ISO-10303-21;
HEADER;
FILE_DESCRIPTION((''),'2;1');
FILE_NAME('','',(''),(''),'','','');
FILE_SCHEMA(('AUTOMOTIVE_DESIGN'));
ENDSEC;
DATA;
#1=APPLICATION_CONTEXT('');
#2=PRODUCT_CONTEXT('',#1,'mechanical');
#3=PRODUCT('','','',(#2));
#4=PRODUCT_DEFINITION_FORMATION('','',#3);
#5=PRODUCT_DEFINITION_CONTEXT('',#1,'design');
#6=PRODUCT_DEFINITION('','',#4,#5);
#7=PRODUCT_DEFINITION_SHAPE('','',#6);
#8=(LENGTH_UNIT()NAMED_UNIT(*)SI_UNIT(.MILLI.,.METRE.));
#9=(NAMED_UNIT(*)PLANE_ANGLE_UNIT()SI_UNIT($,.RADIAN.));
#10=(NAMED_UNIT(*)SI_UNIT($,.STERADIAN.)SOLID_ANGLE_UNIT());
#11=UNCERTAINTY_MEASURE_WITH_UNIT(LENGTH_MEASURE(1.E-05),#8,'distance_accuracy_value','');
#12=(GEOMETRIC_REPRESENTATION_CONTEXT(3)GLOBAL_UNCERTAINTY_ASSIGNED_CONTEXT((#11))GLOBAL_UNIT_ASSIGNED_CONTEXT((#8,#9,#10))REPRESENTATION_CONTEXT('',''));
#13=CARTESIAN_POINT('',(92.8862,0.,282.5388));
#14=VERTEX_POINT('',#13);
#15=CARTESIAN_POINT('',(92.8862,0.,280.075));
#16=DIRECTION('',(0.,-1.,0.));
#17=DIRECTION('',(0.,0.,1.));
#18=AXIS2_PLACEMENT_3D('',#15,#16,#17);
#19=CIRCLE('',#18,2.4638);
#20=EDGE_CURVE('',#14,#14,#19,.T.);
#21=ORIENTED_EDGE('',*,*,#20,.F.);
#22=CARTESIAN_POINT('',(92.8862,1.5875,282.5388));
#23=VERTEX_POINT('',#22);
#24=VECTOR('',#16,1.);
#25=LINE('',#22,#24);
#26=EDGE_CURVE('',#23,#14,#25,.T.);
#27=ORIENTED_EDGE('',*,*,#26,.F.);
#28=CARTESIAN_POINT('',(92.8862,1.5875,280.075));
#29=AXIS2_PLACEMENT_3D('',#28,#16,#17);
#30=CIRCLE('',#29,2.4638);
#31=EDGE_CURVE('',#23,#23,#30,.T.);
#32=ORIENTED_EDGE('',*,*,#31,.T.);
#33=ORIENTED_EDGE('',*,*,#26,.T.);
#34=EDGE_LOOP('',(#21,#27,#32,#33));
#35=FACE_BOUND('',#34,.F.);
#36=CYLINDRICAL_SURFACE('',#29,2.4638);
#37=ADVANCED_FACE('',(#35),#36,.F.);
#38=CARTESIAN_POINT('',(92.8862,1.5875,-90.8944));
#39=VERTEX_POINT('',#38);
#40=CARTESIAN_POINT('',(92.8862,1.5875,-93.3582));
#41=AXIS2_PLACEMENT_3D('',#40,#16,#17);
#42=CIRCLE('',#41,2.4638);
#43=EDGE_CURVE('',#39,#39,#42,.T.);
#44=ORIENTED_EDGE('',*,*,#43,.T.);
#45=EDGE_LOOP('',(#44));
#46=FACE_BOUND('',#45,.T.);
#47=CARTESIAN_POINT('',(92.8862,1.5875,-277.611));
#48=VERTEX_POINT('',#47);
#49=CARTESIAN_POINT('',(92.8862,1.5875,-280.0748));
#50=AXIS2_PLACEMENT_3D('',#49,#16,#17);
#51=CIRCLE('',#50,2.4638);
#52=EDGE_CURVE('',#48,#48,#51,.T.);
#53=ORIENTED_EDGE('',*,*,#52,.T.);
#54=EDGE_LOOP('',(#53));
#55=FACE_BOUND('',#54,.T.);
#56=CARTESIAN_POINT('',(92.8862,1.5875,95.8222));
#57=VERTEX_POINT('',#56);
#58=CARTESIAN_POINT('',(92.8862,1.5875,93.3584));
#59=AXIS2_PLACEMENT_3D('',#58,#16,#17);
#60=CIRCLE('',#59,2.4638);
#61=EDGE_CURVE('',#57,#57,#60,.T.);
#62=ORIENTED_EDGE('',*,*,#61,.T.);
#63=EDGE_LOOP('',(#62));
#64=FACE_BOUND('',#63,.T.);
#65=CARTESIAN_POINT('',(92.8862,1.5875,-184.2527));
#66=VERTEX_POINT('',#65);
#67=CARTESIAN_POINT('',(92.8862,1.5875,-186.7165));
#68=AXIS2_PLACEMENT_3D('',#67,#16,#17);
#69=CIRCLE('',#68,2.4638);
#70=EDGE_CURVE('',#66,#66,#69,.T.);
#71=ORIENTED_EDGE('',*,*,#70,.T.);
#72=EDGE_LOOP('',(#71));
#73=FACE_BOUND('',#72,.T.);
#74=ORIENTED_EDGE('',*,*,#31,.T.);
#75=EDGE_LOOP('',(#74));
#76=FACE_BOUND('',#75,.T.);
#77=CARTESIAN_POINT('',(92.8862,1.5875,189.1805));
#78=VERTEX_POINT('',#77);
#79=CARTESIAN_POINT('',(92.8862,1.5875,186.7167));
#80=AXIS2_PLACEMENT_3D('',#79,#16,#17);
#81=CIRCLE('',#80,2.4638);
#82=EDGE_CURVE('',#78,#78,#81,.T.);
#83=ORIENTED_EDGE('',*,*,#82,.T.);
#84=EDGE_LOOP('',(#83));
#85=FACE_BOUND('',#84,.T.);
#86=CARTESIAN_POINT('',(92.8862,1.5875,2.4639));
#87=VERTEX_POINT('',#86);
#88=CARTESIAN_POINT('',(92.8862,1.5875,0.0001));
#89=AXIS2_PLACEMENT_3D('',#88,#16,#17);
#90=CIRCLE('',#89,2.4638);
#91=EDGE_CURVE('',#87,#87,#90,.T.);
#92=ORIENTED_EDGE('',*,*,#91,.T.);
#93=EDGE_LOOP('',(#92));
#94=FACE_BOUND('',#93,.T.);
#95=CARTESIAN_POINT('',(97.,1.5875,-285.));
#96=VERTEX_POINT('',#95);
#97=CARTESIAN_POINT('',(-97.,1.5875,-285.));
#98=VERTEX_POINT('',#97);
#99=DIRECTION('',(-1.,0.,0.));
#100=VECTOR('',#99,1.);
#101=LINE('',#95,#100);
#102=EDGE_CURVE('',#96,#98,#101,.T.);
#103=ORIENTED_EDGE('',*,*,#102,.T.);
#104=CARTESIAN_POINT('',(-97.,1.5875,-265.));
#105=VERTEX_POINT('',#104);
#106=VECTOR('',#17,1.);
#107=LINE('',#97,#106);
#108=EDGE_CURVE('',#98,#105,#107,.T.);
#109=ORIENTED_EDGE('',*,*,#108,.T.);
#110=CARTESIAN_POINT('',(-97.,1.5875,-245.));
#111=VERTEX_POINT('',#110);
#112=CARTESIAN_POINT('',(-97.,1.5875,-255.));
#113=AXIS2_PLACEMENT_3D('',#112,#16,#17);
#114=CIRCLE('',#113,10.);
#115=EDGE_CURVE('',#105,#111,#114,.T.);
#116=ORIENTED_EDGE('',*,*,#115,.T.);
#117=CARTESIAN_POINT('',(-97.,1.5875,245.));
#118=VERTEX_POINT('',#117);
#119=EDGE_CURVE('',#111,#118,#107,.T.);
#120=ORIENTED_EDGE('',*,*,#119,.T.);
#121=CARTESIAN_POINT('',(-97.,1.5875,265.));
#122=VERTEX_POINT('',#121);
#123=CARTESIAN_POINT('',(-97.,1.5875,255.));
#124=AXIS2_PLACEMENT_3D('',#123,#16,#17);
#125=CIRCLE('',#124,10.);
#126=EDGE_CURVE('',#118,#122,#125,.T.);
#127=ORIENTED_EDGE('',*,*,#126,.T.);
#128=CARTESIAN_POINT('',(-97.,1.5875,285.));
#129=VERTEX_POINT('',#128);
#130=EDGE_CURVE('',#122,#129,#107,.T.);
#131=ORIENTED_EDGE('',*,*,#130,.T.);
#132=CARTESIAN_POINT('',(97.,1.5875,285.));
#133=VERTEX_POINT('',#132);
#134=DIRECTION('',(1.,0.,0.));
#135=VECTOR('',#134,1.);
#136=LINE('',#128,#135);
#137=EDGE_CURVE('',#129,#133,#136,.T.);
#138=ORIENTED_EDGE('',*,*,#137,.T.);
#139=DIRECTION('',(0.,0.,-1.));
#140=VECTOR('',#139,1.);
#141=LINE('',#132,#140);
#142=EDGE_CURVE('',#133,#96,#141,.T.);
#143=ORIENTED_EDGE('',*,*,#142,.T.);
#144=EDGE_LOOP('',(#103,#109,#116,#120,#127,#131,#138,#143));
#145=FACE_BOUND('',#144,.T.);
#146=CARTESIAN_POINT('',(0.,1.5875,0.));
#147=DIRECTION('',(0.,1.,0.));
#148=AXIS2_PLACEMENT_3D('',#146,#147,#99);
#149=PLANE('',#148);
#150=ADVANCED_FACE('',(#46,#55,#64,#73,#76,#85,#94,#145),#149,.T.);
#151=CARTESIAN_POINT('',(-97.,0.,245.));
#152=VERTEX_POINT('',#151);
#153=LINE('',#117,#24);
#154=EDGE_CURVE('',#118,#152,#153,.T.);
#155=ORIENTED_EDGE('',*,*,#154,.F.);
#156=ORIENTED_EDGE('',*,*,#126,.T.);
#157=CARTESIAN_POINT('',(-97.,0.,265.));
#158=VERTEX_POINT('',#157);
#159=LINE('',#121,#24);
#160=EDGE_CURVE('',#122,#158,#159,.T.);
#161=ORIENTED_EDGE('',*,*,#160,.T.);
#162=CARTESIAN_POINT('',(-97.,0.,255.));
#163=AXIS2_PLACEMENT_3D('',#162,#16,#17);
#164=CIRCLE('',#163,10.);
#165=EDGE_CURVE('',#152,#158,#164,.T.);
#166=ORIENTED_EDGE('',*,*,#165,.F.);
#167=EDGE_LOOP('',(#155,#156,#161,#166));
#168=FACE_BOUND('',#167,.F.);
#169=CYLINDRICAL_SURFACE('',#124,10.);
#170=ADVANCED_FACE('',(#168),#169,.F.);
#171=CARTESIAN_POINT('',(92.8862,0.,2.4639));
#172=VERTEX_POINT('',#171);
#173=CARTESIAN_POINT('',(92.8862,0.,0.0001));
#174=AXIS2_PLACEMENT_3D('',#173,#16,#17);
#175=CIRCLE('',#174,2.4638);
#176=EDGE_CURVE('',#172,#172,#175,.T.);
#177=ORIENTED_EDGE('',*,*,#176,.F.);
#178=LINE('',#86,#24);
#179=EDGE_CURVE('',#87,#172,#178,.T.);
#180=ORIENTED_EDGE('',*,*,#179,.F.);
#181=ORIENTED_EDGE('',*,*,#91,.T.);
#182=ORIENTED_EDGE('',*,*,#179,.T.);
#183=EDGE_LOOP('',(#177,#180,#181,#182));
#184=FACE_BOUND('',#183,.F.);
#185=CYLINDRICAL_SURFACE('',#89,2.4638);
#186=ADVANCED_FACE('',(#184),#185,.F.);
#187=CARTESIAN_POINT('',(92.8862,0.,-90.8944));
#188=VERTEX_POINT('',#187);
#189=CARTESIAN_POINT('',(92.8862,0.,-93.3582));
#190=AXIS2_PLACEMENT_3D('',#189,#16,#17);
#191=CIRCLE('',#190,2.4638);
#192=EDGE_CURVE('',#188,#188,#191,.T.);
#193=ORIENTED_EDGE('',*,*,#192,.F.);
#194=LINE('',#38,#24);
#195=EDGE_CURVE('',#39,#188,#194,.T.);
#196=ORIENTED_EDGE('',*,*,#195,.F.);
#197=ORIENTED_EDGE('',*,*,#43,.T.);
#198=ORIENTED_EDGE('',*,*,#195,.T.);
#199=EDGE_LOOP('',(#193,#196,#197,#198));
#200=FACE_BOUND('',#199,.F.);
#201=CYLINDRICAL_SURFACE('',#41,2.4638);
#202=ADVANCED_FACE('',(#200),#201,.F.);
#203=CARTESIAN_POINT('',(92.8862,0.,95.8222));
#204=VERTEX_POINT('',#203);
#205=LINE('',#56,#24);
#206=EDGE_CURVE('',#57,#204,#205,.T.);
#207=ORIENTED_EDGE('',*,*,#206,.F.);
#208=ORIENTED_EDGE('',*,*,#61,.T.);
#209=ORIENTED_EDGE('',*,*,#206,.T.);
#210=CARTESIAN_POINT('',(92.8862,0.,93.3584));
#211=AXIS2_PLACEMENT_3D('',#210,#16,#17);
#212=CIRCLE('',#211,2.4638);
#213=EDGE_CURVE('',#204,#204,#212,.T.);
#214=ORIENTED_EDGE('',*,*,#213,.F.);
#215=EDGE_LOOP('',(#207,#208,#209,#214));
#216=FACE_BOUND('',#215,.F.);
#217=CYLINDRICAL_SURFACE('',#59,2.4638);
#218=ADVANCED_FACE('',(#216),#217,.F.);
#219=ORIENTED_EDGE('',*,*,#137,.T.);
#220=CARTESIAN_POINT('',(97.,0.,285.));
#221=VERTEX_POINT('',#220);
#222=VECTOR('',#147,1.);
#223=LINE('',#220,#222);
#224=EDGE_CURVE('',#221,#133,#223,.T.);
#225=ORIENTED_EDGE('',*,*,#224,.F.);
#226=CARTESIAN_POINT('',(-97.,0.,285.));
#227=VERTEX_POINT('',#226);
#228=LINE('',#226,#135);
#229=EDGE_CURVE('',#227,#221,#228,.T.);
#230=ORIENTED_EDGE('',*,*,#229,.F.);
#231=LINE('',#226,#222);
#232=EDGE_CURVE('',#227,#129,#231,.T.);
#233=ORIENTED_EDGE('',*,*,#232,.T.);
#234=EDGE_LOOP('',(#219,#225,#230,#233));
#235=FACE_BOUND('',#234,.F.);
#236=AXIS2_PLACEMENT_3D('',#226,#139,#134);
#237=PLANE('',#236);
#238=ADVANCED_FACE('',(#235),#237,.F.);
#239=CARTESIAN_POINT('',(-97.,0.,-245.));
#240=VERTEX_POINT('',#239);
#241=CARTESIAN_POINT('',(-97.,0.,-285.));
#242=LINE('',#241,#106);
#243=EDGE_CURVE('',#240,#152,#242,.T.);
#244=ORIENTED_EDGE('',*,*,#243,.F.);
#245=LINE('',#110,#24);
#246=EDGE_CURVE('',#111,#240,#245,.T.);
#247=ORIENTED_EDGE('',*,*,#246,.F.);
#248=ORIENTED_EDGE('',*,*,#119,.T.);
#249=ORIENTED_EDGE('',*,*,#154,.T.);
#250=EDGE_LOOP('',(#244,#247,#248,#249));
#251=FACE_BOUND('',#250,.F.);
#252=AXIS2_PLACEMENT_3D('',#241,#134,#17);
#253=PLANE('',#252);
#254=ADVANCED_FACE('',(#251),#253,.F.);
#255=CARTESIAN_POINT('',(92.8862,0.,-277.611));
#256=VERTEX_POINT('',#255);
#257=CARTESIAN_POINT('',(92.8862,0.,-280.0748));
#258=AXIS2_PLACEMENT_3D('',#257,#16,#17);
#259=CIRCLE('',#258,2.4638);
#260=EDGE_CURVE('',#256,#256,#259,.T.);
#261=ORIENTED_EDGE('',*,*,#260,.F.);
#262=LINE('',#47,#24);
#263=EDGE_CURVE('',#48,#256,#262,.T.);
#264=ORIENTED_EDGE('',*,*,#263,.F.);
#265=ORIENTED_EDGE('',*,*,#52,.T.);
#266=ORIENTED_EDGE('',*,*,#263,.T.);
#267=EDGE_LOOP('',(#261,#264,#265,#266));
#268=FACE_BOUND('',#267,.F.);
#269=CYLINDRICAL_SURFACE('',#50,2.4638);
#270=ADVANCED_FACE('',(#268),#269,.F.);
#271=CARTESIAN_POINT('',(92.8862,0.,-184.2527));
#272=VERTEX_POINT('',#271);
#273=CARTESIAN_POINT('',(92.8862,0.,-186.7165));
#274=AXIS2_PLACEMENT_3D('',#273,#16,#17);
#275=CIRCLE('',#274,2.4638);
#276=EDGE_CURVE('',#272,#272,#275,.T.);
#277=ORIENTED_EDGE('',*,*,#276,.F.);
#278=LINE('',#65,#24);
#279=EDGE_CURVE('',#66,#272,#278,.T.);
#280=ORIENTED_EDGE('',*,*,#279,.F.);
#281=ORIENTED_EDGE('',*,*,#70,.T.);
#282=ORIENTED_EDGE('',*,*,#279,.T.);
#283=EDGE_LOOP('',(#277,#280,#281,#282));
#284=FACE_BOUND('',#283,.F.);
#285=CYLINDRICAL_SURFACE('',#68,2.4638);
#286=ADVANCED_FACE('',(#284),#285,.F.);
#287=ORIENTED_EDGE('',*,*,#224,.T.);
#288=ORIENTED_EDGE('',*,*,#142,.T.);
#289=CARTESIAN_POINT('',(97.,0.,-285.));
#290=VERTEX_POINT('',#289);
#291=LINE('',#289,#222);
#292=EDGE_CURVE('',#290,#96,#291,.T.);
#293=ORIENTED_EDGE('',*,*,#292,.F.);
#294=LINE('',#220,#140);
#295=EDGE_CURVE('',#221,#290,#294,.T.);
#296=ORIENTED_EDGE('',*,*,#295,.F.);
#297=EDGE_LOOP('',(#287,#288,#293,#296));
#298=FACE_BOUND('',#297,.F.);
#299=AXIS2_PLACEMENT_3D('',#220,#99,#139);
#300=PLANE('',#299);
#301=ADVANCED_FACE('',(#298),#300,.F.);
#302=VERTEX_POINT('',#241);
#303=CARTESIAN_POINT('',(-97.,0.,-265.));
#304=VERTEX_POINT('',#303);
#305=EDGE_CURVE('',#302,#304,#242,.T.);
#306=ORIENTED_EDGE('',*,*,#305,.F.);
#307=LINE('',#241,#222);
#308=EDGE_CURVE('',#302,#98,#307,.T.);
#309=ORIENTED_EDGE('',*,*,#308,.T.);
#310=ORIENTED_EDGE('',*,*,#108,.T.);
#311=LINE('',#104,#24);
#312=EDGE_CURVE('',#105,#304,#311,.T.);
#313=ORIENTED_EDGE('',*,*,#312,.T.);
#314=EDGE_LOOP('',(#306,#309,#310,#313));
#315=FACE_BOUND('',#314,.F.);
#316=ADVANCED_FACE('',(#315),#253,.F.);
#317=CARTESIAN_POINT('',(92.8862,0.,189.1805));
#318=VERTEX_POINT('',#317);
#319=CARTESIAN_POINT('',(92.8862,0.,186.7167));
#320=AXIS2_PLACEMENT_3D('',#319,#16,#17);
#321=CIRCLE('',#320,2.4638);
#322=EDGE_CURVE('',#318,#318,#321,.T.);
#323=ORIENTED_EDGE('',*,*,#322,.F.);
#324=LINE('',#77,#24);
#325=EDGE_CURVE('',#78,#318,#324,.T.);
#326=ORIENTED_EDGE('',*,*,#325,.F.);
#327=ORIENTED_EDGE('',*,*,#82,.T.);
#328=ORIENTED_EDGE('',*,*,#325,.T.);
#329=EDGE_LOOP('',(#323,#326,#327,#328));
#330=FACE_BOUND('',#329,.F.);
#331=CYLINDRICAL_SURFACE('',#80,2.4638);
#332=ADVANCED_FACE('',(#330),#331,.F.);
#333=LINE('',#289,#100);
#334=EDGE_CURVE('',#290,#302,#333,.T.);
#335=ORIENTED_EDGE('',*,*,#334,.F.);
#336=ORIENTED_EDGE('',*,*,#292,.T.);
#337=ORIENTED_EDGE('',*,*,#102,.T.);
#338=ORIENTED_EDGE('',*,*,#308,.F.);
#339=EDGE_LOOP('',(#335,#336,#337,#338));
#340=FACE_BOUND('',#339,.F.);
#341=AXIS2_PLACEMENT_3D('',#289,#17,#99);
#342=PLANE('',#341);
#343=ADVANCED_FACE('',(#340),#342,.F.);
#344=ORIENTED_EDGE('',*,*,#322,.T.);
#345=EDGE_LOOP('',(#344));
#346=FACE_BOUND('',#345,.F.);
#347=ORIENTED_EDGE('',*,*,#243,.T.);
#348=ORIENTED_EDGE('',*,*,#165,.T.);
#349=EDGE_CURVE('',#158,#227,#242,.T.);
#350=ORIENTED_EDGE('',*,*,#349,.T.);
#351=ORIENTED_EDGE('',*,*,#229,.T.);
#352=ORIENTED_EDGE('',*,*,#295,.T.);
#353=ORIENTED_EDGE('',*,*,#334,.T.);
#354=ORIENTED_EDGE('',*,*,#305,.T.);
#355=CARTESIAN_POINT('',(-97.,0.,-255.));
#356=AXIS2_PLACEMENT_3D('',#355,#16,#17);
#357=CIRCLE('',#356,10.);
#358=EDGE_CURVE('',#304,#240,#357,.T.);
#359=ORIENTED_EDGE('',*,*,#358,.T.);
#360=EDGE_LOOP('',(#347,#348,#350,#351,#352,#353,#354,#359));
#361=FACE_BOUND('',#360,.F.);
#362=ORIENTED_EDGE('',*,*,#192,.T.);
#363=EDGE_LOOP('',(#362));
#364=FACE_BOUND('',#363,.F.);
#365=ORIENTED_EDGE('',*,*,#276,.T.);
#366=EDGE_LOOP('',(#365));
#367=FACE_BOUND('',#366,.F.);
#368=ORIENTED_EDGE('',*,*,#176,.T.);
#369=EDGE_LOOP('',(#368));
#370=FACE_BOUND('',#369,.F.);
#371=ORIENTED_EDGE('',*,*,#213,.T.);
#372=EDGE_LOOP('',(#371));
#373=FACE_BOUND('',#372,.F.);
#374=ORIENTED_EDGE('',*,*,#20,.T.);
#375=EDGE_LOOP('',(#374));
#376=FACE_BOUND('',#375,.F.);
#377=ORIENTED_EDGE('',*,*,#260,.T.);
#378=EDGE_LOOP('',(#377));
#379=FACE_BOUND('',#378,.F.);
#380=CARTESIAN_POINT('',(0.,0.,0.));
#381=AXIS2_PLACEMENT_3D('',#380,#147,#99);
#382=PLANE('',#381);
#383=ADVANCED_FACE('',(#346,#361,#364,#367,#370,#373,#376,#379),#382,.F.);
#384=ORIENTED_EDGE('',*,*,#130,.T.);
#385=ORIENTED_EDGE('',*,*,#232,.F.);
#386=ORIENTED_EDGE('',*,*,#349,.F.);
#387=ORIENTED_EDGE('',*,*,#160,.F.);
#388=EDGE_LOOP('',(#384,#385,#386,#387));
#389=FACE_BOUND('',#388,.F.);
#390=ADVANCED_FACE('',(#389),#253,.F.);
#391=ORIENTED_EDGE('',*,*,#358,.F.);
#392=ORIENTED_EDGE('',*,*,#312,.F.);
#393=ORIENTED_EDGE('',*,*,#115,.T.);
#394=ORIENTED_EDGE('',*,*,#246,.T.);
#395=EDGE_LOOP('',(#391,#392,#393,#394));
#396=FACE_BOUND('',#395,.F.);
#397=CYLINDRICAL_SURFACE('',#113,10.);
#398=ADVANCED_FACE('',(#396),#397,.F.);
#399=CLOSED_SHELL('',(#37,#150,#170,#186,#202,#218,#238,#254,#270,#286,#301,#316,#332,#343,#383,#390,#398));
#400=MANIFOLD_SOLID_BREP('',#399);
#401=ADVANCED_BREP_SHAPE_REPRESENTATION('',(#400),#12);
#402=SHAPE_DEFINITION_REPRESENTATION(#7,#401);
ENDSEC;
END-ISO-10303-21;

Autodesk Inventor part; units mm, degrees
ref_plane "YZ Plane" through (0, 0, 0) normal (1, 0, 0) x (0, 1, 0)
ref_plane "XZ Plane" through (0, 0, 0) normal (0, 1, 0) x (-1, 0, 0)
ref_plane "XY Plane" through (0, 0, 0) normal (0, 0, 1) x (1, 0, 0)
sketch "Sketch1" plane through (0, 0, 0) normal (0, 1, 0) x (-1, 0, 0)
  line L0 (97, 285) -> (-97, 285)
  line L1 (-97, 285) -> (-97, -285)
  line L2 (-97, -285) -> (97, -285)
  line L3 (97, -285) -> (97, 285)
  point P0 (0, 0)
  dimension "d0" = 194
  dimension "d1" = 570
  dimension "d2" = 97
  dimension "d3" = 285
extrude "Plate1" add sketch "Sketch1" along normal blind 1.5875
sketch "Sketch4" plane through (0, 1.5875, 0) normal (0, 1, 0) x (1, 0, 0)
  line L0 (97, -285) -> (-97, -285) projected
  line L1 (97, 285) -> (97, -285) projected
  point P0 (0, 0)
  point P1 (92.8862, -280.075)
  dimension "d22" = 4.925
  dimension "d40" = 4.1138
hole "Hole1" at (92.8862, 1.5875, 280.075) direction (0, -1, 0) diameter 4.9276 end through all
pattern_linear "Rectangular Pattern1" count 7 spacing 93.3583 along (0, 0, -1) of "Hole1"
sketch "Sketch5" plane through (0, 1.5875, 0) normal (0, 1, 0) x (1, 0, 0)
  line L0 (-97, -285) -> (-97, 285) projected
  line L1 (-97, 285) -> (97, 285) projected
  line L2 (97, -285) -> (-97, -285) projected
  point P0 (0, 0)
  point P1 (-97, 255)
  point P2 (-97, -255)
  dimension "d35" = 30
  dimension "d36" = 30
hole "Hole2" at (-97, 1.5875, -255) at (-97, 1.5875, 255) direction (0, -1, 0) diameter 20 end through all
equation "\"d20\" = Thickness"
equation "\"d4\" = Thickness"
equation "\"d2\" = 0.5 * d0"
equation "\"d3\" = 0.5 * d1"
equation "\"BendRadius\" = Thickness"
equation "\"BendReliefWidth\" = Thickness"
equation "\"BendReliefDepth\" = 0.5 * Thickness"
equation "\"CornerReliefSize\" = 4 * Thickness"
equation "\"MinimumRemnant\" = 2 * Thickness"
equation "\"TransitionRadius\" = BendRadius"
equation "\"JacobiRadiusSize\" = BendRadius"
equation "\"GapSize\" = Thickness"
equation "\"Thickness\" = 1.5875"
properties part number "CO-1-01-controlsSeperator" material "Aluminum 6061"
